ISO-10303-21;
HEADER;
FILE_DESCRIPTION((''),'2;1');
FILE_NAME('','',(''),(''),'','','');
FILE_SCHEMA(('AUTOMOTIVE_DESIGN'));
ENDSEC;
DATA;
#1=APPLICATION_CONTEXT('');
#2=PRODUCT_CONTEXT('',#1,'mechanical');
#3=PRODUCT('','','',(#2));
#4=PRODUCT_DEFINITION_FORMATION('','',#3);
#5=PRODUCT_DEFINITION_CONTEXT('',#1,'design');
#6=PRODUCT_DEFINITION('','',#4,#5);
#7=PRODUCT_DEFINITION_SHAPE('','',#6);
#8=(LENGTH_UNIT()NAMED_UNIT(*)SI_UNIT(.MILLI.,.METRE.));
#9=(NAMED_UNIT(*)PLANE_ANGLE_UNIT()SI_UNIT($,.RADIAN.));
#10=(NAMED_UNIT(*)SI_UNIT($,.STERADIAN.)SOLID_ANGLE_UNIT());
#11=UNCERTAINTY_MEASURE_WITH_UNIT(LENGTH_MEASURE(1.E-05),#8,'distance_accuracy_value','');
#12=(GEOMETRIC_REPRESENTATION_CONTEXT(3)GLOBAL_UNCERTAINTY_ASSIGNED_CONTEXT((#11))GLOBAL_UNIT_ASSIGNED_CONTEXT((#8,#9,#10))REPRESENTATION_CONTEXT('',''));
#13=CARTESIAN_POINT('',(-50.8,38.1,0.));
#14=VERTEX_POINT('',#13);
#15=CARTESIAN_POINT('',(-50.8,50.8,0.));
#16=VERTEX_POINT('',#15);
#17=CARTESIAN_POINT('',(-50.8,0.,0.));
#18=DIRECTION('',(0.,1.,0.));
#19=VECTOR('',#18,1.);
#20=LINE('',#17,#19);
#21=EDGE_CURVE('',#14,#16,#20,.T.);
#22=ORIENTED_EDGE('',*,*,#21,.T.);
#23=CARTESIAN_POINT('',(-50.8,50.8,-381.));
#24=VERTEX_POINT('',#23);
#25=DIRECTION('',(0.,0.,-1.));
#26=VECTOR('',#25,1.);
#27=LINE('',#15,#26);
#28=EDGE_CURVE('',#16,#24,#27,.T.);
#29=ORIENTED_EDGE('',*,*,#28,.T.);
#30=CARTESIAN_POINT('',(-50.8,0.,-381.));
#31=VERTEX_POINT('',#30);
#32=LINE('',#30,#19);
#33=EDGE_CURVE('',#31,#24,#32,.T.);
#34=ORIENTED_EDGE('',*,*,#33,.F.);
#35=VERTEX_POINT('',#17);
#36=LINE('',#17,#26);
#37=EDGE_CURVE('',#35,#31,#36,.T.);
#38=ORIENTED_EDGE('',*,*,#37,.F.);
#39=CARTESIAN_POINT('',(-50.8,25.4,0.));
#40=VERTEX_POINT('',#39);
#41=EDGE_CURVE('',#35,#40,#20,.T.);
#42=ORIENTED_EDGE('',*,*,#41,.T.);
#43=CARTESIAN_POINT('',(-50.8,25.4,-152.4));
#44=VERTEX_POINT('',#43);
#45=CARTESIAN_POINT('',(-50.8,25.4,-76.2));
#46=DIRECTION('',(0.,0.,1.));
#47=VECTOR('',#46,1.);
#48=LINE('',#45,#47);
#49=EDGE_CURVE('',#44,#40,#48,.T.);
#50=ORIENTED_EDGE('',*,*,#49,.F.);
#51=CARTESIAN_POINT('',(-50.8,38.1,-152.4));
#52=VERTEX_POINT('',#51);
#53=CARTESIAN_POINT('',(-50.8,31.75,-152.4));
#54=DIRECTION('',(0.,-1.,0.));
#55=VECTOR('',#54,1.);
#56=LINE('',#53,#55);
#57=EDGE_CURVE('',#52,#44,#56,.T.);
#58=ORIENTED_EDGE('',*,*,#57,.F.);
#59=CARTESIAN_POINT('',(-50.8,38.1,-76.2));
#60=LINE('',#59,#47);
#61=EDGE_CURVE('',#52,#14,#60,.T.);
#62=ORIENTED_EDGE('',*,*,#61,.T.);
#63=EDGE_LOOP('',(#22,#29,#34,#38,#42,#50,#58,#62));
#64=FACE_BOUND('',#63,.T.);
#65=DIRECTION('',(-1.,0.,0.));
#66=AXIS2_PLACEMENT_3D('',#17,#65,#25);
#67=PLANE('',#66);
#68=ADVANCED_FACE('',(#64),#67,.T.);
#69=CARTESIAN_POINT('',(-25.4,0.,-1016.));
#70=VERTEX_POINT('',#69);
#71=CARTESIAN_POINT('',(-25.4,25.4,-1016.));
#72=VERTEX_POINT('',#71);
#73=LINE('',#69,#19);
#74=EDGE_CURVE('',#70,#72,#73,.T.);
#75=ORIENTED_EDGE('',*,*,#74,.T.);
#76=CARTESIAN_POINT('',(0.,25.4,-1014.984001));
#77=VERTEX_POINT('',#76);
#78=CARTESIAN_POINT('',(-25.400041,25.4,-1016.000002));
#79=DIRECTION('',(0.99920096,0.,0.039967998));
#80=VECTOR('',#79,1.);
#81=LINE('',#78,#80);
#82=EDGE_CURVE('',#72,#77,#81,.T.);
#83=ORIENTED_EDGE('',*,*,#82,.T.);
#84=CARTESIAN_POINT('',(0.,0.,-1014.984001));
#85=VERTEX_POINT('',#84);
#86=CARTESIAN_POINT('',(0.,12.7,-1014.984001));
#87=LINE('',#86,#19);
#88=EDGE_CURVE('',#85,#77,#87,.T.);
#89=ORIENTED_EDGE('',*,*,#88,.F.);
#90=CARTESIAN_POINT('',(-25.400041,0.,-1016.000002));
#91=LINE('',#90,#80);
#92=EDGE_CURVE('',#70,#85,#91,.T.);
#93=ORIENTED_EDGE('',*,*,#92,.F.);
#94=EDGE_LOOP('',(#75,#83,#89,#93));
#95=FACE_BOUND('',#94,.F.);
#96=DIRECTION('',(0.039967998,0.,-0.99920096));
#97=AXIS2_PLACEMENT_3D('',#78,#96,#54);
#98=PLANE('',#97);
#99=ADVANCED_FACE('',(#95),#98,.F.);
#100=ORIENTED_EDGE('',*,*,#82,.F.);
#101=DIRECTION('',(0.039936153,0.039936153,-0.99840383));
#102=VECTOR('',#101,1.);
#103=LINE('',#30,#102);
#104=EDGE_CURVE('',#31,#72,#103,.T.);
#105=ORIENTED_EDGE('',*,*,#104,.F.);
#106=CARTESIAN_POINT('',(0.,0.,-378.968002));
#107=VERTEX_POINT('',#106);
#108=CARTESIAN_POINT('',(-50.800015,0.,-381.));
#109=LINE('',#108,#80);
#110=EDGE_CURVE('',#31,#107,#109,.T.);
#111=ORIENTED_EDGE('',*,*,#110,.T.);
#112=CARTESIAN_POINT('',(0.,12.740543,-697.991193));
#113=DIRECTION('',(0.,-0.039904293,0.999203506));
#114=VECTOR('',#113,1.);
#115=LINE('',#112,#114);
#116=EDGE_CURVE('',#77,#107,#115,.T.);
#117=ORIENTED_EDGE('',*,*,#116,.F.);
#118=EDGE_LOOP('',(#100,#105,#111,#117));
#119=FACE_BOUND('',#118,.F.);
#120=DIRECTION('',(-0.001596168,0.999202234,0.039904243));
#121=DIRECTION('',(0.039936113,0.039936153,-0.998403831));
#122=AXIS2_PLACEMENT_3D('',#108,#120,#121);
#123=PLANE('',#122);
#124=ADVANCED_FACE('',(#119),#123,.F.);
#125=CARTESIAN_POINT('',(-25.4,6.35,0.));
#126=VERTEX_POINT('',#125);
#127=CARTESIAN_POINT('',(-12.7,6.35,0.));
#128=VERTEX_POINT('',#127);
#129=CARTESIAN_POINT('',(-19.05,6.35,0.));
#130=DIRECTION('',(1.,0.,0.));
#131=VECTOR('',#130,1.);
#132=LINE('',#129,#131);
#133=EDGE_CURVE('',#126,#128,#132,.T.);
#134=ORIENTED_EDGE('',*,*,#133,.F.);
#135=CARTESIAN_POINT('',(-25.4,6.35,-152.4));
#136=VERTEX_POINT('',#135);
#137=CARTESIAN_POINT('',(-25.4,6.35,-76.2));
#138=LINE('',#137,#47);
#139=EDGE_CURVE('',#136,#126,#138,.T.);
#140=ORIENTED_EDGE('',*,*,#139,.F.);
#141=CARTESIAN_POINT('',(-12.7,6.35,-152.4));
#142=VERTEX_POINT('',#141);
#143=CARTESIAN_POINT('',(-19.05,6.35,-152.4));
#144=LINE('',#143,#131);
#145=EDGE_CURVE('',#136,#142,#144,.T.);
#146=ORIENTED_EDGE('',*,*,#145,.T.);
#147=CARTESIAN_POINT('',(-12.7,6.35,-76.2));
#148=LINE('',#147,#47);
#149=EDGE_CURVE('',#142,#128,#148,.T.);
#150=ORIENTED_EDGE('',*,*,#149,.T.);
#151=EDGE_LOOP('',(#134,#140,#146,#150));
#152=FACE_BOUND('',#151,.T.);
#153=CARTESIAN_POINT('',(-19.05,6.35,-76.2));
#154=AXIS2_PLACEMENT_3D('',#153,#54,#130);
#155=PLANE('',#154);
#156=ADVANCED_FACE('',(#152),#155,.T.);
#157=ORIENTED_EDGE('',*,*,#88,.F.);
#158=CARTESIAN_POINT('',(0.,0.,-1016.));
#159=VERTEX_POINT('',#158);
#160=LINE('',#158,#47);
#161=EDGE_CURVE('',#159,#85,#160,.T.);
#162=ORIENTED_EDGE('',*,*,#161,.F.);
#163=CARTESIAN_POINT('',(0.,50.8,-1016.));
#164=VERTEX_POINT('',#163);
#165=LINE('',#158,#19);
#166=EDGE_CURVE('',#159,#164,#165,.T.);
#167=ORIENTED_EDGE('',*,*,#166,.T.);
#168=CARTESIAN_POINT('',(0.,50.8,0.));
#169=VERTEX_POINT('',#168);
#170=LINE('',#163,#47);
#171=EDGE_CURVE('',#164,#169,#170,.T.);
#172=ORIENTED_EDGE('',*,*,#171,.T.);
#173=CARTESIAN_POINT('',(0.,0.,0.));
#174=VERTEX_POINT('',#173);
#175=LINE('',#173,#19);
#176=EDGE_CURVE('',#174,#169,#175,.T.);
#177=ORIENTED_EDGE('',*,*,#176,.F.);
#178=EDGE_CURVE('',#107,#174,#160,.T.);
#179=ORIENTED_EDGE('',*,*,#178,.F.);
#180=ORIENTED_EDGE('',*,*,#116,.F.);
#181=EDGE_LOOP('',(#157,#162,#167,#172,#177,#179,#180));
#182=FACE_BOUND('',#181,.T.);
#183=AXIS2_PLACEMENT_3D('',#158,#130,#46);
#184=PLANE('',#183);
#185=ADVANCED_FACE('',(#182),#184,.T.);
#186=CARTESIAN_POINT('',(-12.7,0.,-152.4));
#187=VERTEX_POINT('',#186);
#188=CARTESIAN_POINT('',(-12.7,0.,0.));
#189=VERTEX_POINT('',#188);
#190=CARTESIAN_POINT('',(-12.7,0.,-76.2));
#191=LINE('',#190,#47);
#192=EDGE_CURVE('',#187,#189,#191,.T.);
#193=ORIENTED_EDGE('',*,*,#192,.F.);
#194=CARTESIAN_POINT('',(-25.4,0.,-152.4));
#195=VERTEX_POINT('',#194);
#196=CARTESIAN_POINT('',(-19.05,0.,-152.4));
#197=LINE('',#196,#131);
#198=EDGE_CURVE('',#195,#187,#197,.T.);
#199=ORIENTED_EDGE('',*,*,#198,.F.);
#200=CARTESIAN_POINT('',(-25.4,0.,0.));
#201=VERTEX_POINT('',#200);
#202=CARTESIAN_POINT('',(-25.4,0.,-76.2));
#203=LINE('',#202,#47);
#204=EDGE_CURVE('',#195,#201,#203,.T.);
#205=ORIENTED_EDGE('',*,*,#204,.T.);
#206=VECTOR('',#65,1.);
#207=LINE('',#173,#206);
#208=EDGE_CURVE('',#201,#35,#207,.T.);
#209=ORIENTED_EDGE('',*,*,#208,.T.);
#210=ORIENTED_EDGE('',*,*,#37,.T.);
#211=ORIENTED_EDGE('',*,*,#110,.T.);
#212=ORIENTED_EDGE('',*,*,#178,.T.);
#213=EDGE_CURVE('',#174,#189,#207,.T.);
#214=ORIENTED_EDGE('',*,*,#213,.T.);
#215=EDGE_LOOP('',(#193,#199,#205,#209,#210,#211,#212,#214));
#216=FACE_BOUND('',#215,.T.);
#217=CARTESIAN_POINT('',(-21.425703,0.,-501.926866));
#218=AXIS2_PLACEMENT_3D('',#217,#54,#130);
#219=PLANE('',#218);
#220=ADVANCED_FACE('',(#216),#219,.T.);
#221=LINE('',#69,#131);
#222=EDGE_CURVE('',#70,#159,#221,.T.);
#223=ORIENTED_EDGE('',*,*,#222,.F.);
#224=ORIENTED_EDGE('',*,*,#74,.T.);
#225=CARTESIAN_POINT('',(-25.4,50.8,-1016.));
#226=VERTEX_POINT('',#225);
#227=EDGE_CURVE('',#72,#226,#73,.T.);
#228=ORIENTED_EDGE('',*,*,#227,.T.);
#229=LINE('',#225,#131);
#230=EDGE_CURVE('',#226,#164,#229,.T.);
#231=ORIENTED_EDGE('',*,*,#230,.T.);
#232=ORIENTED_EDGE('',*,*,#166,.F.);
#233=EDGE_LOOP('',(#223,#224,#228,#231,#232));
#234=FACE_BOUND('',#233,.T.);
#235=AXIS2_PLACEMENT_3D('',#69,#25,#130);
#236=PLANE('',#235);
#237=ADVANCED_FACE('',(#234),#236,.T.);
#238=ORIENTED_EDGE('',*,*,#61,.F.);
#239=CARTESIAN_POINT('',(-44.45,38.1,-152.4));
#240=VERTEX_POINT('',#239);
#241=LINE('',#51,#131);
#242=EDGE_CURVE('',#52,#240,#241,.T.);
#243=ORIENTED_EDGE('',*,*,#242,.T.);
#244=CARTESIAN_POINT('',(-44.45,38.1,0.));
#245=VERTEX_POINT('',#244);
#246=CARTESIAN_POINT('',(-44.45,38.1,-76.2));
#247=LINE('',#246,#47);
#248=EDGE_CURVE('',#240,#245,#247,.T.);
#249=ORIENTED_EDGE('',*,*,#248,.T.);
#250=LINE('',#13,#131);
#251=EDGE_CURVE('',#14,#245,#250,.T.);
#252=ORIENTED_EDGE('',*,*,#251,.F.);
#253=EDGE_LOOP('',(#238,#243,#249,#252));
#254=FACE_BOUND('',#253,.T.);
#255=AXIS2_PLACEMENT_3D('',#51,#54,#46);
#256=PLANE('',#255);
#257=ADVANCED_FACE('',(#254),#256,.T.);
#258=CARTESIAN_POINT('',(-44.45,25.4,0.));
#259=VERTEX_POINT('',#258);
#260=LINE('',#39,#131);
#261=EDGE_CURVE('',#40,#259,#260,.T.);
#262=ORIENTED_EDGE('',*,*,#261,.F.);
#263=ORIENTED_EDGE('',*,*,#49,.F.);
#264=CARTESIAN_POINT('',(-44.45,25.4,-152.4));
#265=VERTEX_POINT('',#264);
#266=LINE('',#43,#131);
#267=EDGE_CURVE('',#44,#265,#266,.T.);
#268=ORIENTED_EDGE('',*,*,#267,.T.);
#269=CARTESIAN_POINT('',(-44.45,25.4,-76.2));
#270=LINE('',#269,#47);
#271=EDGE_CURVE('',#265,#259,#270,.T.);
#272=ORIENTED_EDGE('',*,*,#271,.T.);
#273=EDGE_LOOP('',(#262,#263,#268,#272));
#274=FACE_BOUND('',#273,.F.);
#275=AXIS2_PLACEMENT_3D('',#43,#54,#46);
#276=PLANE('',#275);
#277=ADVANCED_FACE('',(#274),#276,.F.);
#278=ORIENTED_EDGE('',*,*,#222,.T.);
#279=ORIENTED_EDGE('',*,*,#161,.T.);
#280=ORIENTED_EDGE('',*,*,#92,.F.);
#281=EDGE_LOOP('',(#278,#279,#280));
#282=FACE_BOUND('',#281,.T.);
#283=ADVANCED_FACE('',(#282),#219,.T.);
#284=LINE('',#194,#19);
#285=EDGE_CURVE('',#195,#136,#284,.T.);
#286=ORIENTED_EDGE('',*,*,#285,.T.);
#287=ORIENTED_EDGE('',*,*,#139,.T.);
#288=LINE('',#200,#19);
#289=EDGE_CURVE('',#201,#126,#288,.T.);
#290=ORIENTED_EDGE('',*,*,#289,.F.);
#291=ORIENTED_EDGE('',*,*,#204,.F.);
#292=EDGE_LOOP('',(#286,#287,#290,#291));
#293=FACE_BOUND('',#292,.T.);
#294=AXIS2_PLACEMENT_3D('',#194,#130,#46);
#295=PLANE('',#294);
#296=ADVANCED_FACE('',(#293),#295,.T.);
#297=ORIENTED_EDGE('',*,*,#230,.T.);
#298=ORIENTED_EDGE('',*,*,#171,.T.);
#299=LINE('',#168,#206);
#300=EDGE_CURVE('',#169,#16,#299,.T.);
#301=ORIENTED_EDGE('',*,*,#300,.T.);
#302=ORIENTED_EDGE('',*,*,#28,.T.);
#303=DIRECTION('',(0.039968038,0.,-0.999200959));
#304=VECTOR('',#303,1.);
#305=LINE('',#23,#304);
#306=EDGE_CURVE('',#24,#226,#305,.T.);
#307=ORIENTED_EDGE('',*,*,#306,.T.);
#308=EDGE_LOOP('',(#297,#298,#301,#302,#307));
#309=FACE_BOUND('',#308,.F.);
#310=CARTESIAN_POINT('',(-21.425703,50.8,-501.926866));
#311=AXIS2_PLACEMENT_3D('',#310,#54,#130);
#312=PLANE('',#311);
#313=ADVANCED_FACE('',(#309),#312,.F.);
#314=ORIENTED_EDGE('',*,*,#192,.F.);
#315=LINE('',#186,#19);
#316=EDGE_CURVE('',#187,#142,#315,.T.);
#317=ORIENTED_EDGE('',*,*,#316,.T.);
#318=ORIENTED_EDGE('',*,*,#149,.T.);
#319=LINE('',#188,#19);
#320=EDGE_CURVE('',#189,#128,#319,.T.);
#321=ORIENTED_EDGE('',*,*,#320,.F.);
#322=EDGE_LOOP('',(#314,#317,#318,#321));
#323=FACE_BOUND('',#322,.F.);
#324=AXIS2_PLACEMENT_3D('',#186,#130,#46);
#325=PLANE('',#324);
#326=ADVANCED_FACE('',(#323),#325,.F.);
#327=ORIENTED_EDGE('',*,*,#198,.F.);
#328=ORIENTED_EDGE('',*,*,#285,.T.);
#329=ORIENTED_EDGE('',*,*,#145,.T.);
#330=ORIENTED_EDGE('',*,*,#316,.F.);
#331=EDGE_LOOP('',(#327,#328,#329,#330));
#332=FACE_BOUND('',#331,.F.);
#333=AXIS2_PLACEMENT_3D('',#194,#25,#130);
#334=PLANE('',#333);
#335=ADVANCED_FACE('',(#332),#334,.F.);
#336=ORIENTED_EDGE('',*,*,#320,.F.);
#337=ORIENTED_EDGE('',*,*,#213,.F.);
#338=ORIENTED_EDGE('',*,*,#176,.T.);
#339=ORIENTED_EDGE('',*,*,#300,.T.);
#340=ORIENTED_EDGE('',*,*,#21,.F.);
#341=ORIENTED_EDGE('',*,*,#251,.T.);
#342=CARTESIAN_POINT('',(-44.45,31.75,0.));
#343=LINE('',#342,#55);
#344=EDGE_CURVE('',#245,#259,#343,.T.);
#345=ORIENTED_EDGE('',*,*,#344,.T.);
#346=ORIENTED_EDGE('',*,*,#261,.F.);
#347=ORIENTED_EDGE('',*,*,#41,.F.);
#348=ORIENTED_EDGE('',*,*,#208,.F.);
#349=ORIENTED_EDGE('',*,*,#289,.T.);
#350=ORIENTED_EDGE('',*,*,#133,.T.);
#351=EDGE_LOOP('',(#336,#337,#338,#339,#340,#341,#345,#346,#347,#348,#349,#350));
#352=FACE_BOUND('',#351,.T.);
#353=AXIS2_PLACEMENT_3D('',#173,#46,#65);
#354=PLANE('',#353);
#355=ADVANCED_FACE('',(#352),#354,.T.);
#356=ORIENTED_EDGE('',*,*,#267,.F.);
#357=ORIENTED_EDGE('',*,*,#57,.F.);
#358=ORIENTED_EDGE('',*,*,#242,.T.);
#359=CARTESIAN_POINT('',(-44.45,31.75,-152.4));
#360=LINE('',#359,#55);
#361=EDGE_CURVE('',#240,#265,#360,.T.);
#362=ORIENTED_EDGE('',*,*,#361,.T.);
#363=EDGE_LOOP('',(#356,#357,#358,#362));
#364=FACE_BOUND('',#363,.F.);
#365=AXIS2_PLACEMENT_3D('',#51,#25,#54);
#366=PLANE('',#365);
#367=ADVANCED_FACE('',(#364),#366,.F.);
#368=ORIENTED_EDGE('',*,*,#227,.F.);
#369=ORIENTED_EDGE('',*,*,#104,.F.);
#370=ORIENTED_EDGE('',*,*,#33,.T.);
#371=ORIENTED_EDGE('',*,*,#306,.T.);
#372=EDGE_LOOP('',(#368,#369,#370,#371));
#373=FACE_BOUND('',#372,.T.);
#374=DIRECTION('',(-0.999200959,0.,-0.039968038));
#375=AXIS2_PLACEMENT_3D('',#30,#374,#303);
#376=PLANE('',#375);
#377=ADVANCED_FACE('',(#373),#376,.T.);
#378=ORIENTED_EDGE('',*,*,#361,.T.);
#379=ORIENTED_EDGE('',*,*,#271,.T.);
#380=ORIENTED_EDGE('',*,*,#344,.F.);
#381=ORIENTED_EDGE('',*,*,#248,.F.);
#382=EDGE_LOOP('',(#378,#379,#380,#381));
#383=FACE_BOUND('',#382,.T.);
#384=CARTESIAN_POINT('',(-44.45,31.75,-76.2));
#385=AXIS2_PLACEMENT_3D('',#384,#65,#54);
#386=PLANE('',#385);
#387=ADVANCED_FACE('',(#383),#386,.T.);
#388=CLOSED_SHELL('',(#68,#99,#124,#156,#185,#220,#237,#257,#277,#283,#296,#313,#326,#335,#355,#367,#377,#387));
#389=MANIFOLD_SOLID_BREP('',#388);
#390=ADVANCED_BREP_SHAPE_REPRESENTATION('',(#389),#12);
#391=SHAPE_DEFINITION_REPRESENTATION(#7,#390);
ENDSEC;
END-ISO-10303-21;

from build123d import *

# Parameters (mm, degrees)
F1_DEPTH = 50.8
F2_W     = 12.7
F2_H     = 152.4
F3_DEPTH = 6.35
F5_DEPTH = 65.988231
F6_W     = 12.7
F6_H     = 152.4
F7_DEPTH = 6.35


with BuildPart() as f1:
    # F0 (on Front) → F1 (new body)
    with BuildSketch(Plane.XZ):
        Polygon((0, -1016), (0, 0), (-50.8, 0), (-50.8, -381), (-25.4, -1016), align=None)
    extrude(amount=-F1_DEPTH)

    # F2 (on face) → F3 (cut)
    with BuildSketch(Plane(origin=(-50.8, 0, 0), x_dir=(0, -1, 0), z_dir=(-1, 0, 0))):
        with Locations((-31.75, -76.2)):
            Rectangle(F2_W, F2_H)
    extrude(amount=-F3_DEPTH, mode=Mode.SUBTRACT)

    # F4 (on face) → F5 (cut, through all)
    with BuildSketch(Plane(origin=(-65.934505, 0, -2.63738), x_dir=(0, -1, 0), z_dir=(-0.999201, 0, -0.039968))):
        Polygon((0, -1014.172986), (0, -378.665189), (-25.4, -1014.172986), align=None)
    extrude(amount=-F5_DEPTH, mode=Mode.SUBTRACT)

    # F6 (on face) → F7 (cut)
    with BuildSketch(Plane.XZ):
        with Locations((-19.05, -76.2)):
            Rectangle(F6_W, F6_H)
    extrude(amount=-F7_DEPTH, mode=Mode.SUBTRACT)


solid = f1.part
